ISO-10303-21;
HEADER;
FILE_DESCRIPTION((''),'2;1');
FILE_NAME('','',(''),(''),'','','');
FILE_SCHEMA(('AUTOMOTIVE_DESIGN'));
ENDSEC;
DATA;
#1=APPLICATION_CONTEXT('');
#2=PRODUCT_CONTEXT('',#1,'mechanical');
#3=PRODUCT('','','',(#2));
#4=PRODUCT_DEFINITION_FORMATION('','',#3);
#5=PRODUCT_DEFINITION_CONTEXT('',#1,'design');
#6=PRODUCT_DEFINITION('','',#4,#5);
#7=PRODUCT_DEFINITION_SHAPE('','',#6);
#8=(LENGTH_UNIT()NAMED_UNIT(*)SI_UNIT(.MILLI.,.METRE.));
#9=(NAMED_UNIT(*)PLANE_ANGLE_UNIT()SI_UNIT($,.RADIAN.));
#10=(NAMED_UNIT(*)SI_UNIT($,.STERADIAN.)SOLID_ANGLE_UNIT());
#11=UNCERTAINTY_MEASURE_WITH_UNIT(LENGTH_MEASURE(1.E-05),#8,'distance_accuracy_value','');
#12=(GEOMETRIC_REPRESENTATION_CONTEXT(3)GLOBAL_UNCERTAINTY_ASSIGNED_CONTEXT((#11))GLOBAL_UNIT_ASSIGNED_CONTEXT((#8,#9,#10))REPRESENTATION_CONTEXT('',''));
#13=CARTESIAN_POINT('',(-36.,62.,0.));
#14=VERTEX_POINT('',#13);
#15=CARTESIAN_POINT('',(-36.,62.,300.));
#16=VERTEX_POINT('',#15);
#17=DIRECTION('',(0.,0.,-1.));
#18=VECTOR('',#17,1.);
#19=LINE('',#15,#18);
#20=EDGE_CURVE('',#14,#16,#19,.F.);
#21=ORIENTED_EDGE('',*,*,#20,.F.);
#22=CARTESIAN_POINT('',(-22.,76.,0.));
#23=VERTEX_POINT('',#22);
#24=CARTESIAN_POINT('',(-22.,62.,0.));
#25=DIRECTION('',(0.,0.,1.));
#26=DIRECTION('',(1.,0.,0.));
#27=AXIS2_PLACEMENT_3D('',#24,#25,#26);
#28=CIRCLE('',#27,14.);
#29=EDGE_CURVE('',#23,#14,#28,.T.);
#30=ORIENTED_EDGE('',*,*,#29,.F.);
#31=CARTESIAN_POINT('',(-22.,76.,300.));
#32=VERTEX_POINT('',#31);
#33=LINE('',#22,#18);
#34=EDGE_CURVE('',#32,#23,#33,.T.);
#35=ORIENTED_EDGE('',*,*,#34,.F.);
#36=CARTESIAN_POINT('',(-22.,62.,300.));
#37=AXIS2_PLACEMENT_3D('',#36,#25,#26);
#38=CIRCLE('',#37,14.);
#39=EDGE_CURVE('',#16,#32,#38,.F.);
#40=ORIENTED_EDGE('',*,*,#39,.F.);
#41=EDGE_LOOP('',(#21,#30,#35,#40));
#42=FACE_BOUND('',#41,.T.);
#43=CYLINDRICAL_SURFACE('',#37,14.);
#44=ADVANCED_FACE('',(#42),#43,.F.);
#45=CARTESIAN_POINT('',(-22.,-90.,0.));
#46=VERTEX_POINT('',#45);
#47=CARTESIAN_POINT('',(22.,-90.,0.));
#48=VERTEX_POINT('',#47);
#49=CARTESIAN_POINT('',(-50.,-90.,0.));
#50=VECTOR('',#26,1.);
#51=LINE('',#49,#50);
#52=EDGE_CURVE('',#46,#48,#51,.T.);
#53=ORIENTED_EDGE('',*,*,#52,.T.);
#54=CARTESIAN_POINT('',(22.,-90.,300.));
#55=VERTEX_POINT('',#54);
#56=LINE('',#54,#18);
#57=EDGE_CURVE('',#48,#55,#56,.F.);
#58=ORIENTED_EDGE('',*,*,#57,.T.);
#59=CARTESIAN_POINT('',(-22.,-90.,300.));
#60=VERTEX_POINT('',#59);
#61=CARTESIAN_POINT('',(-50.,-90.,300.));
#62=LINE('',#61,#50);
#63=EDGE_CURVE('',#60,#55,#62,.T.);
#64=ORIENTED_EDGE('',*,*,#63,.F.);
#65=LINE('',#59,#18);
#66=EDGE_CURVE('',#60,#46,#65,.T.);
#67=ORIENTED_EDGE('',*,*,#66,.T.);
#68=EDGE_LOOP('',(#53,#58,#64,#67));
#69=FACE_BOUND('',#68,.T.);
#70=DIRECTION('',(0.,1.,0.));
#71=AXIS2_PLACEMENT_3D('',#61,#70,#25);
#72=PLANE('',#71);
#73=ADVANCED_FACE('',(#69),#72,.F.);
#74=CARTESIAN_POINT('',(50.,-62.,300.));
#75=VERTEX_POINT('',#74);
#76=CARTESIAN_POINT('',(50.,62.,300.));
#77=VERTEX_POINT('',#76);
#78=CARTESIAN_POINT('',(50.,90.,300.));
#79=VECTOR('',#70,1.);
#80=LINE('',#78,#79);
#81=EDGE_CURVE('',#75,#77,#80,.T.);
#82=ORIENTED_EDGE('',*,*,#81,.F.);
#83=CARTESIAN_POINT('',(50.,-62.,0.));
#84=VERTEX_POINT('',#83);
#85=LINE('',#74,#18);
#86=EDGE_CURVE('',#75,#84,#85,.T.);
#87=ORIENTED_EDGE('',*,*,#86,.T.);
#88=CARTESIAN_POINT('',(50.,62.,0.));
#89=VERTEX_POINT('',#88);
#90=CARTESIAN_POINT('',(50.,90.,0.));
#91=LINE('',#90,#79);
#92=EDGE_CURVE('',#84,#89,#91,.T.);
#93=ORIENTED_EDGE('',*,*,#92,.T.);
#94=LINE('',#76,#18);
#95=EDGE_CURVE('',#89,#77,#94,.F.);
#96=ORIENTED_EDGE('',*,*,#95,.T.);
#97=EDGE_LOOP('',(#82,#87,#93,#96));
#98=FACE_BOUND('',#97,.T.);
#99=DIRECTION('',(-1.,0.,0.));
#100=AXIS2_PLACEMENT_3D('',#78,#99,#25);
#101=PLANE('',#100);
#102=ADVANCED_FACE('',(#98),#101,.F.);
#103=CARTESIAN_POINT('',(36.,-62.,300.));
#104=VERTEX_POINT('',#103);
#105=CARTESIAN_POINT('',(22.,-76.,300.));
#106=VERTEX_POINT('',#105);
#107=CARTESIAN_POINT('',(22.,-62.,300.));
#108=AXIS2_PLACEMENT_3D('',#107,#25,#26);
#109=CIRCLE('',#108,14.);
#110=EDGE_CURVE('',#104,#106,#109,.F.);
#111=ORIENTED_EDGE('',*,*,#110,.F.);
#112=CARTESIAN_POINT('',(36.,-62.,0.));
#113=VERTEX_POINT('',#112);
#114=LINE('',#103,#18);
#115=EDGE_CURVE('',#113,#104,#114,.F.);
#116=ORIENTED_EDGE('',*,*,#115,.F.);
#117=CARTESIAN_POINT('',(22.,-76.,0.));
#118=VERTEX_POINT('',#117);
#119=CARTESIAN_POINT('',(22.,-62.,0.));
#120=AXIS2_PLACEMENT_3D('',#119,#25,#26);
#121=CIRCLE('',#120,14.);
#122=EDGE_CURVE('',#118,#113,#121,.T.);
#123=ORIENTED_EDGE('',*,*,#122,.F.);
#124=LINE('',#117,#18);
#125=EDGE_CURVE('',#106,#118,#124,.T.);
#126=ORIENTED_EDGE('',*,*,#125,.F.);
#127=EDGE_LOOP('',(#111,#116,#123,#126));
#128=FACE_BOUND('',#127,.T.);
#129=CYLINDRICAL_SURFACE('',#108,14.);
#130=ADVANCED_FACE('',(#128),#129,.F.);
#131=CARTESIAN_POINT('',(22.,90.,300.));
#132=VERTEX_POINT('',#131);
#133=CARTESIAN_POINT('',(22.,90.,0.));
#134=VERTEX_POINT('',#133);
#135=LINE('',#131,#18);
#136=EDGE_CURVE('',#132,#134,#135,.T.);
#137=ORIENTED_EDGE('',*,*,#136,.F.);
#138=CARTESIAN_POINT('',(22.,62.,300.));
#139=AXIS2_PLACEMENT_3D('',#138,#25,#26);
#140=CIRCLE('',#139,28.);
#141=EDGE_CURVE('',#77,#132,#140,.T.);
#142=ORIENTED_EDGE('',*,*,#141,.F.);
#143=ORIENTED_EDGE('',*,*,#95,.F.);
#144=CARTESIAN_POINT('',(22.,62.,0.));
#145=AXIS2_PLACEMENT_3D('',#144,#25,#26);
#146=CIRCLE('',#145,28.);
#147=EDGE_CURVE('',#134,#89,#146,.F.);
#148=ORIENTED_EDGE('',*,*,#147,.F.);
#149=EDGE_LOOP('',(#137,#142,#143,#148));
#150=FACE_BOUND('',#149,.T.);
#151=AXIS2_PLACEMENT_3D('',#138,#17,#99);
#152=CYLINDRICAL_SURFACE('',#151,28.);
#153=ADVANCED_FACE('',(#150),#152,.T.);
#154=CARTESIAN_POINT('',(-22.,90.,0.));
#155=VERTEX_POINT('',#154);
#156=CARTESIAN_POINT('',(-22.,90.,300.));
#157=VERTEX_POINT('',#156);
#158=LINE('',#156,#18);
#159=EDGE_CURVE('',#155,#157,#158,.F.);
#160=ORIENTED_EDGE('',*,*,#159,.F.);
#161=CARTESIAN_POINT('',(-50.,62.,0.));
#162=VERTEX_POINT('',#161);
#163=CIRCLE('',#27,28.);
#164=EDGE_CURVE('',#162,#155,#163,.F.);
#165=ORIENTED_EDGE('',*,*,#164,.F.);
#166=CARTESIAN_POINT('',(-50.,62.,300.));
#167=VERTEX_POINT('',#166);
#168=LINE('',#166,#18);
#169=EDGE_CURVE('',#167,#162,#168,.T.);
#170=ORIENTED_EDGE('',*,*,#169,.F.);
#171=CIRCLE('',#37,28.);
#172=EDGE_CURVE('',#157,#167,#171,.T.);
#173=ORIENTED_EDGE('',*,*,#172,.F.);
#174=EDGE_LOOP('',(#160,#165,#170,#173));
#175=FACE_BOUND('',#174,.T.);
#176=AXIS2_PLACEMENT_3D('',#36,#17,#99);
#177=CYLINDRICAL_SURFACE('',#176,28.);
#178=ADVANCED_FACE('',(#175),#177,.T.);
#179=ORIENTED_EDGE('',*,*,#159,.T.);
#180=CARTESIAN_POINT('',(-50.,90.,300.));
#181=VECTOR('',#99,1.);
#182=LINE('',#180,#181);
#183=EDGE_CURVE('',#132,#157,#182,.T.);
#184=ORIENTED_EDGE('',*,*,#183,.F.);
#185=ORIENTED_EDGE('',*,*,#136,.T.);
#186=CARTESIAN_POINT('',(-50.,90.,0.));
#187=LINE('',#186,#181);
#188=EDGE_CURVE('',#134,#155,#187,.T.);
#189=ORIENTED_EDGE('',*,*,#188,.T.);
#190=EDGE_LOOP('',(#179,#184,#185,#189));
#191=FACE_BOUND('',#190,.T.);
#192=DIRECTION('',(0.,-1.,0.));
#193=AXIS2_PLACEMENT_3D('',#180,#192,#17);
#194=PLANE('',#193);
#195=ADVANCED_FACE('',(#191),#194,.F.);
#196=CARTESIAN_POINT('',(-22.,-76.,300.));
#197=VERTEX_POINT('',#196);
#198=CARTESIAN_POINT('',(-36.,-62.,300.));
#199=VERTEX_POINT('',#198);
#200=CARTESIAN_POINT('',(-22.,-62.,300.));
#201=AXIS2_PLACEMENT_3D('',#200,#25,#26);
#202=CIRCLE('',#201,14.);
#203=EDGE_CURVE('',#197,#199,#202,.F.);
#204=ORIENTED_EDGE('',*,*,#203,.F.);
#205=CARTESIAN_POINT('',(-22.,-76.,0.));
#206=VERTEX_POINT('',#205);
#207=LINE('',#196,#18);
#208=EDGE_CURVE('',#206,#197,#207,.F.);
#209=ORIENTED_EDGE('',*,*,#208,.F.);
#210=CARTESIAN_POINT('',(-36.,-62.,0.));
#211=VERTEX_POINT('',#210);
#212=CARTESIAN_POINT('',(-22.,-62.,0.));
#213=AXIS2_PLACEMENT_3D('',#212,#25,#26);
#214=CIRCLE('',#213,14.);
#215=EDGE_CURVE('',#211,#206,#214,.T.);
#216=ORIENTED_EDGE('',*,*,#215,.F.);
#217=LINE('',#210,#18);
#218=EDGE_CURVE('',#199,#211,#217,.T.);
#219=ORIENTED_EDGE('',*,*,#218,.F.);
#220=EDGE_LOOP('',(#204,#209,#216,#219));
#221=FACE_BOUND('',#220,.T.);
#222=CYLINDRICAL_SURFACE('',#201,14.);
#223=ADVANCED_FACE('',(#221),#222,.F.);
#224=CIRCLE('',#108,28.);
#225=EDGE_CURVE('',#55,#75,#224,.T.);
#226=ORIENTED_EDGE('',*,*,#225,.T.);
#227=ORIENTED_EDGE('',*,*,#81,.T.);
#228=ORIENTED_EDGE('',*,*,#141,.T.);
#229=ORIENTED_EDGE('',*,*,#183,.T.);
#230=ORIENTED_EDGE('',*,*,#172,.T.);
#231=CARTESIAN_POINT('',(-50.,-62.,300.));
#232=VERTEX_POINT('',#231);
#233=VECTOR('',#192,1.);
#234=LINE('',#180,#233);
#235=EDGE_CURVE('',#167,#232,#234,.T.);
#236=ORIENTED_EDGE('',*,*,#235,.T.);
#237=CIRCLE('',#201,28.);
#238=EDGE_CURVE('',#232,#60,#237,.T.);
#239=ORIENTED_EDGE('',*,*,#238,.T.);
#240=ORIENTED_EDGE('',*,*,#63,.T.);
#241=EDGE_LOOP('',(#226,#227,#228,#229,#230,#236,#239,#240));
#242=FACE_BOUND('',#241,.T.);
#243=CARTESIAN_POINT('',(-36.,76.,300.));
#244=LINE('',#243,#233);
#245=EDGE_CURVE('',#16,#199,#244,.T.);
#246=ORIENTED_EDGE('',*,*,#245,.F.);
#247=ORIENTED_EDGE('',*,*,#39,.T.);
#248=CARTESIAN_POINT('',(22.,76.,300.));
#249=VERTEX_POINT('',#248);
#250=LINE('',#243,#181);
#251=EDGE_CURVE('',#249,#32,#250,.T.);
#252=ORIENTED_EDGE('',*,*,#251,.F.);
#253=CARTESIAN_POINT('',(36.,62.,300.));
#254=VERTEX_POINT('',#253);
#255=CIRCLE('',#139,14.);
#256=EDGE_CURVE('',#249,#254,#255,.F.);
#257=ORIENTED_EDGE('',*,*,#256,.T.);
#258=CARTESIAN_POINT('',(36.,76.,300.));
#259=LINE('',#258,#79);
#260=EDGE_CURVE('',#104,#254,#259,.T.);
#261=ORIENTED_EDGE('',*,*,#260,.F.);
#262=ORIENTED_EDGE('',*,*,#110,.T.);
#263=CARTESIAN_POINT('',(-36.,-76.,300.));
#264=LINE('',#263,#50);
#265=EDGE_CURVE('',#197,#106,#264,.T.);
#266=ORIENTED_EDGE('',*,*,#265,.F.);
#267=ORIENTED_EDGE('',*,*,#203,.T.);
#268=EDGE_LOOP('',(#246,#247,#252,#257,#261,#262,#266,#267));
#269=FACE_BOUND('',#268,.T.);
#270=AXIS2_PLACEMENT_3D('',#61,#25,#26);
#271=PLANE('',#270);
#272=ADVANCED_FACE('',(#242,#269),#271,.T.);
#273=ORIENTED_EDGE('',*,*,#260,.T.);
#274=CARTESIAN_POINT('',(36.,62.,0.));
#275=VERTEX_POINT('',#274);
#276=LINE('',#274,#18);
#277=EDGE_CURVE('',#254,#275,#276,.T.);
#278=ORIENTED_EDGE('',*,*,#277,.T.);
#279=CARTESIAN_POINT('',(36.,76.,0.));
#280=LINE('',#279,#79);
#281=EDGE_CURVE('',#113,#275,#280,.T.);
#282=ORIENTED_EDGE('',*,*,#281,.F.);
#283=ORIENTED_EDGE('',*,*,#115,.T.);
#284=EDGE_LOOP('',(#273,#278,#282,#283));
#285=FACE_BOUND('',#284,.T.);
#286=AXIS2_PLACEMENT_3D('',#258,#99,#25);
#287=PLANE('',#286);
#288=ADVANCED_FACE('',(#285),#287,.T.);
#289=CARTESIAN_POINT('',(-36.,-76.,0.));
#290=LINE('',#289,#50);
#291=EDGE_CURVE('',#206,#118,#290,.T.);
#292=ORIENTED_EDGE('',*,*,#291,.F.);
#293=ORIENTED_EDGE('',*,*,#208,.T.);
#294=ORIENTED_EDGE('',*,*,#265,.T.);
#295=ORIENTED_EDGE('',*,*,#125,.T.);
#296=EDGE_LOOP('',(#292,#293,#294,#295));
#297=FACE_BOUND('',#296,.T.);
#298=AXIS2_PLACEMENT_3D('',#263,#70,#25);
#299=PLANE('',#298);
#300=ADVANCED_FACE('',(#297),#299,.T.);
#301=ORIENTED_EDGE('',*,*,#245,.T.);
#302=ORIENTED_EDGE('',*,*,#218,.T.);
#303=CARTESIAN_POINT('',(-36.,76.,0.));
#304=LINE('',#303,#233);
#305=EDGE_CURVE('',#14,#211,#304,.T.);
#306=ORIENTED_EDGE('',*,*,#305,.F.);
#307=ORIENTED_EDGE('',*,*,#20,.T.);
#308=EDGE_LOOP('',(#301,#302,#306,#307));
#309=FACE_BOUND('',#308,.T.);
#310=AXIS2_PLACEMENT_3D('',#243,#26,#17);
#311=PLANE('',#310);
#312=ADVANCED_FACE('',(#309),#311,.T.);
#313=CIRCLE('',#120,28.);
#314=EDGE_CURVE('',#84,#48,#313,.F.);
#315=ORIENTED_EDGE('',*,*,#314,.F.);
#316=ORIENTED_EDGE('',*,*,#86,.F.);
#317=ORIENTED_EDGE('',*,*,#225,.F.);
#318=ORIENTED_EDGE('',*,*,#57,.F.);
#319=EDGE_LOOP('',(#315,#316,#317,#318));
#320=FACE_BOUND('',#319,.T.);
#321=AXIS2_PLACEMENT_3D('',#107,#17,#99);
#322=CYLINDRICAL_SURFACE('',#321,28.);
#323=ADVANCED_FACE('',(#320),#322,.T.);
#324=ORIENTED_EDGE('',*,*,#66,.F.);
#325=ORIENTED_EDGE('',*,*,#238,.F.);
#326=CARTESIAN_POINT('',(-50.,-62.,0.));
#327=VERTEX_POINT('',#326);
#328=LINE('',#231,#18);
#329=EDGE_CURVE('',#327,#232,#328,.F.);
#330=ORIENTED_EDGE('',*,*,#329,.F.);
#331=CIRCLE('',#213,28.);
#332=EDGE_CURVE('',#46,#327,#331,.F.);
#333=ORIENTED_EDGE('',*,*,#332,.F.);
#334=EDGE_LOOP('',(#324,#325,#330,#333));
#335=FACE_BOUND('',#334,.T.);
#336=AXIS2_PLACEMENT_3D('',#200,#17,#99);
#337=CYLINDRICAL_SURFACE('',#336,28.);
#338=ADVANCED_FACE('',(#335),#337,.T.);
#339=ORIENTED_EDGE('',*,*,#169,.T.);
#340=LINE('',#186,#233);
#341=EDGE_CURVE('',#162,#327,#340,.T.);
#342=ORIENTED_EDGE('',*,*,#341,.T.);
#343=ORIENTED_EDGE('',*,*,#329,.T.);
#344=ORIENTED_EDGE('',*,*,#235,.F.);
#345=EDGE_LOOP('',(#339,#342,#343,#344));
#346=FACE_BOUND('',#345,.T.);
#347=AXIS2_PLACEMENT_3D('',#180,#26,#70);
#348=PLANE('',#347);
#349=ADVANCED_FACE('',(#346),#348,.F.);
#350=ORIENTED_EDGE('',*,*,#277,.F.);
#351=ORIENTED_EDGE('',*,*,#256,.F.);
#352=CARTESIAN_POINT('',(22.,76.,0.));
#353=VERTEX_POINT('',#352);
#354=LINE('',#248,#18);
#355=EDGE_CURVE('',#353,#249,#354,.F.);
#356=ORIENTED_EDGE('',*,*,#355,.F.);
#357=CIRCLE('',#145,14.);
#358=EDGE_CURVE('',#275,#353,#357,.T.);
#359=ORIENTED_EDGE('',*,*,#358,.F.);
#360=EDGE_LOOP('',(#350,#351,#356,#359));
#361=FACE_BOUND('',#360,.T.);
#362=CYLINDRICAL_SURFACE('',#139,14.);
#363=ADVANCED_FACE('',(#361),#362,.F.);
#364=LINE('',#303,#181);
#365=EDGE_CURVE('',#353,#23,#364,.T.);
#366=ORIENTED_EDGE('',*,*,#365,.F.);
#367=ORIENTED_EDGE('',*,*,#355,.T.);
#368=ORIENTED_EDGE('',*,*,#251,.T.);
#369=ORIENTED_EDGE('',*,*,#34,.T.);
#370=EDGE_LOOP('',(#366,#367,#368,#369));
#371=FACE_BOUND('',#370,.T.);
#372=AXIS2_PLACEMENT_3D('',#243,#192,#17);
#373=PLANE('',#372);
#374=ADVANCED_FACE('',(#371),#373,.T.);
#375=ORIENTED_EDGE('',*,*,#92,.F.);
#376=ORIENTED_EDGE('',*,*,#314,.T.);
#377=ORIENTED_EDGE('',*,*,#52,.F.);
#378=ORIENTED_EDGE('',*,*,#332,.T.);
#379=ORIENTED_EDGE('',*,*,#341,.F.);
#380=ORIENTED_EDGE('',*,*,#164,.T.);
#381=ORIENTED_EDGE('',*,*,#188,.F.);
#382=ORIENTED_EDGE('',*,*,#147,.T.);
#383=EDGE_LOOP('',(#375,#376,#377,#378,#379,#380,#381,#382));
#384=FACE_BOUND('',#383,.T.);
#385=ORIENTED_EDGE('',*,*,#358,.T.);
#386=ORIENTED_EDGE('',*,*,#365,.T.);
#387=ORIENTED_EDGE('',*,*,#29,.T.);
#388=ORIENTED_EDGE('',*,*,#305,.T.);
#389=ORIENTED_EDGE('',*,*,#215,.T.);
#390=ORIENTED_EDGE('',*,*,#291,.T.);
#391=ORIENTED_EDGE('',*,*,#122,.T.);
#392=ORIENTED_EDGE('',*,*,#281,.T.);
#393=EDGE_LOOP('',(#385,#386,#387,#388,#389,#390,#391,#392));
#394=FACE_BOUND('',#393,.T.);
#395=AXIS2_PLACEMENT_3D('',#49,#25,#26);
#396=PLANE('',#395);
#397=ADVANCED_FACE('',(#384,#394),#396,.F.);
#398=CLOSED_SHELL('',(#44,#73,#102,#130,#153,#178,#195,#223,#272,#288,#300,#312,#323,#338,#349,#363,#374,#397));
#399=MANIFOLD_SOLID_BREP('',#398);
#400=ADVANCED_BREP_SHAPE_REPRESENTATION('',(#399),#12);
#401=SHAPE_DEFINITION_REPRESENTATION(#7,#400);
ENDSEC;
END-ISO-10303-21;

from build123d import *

# Parameters (mm, degrees)
SKETCH_1_W      = 100
SKETCH_1_H      = 180
SKETCH_1_W_2    = 72
SKETCH_1_H_2    = 152
EXTRUDE_1_DEPTH = 300
FILLET_1_R      = 14
FILLET_2_R      = 28


with BuildPart() as part:
    # 草图1 → 凸台-拉伸1 (new body)
    with BuildSketch(Plane.XY):
        Rectangle(SKETCH_1_W, SKETCH_1_H)
        Rectangle(SKETCH_1_W_2, SKETCH_1_H_2, mode=Mode.SUBTRACT)
    extrude(amount=EXTRUDE_1_DEPTH)

    # 圆角1
    fillet_1_edges = [part.edges().sort_by_distance(p)[0] for p in [
        (-36, 76, 150),
        (-36, -76, 150),
        (36, -76, 150),
        (36, 76, 150),
    ]]
    fillet(fillet_1_edges, radius=FILLET_1_R)

    # 圆角2
    fillet_2_edges = [part.edges().sort_by_distance(p)[0] for p in [
        (-50, 90, 150),
        (50, 90, 150),
        (50, -90, 150),
        (-50, -90, 150),
    ]]
    fillet(fillet_2_edges, radius=FILLET_2_R)


solid = part.part
